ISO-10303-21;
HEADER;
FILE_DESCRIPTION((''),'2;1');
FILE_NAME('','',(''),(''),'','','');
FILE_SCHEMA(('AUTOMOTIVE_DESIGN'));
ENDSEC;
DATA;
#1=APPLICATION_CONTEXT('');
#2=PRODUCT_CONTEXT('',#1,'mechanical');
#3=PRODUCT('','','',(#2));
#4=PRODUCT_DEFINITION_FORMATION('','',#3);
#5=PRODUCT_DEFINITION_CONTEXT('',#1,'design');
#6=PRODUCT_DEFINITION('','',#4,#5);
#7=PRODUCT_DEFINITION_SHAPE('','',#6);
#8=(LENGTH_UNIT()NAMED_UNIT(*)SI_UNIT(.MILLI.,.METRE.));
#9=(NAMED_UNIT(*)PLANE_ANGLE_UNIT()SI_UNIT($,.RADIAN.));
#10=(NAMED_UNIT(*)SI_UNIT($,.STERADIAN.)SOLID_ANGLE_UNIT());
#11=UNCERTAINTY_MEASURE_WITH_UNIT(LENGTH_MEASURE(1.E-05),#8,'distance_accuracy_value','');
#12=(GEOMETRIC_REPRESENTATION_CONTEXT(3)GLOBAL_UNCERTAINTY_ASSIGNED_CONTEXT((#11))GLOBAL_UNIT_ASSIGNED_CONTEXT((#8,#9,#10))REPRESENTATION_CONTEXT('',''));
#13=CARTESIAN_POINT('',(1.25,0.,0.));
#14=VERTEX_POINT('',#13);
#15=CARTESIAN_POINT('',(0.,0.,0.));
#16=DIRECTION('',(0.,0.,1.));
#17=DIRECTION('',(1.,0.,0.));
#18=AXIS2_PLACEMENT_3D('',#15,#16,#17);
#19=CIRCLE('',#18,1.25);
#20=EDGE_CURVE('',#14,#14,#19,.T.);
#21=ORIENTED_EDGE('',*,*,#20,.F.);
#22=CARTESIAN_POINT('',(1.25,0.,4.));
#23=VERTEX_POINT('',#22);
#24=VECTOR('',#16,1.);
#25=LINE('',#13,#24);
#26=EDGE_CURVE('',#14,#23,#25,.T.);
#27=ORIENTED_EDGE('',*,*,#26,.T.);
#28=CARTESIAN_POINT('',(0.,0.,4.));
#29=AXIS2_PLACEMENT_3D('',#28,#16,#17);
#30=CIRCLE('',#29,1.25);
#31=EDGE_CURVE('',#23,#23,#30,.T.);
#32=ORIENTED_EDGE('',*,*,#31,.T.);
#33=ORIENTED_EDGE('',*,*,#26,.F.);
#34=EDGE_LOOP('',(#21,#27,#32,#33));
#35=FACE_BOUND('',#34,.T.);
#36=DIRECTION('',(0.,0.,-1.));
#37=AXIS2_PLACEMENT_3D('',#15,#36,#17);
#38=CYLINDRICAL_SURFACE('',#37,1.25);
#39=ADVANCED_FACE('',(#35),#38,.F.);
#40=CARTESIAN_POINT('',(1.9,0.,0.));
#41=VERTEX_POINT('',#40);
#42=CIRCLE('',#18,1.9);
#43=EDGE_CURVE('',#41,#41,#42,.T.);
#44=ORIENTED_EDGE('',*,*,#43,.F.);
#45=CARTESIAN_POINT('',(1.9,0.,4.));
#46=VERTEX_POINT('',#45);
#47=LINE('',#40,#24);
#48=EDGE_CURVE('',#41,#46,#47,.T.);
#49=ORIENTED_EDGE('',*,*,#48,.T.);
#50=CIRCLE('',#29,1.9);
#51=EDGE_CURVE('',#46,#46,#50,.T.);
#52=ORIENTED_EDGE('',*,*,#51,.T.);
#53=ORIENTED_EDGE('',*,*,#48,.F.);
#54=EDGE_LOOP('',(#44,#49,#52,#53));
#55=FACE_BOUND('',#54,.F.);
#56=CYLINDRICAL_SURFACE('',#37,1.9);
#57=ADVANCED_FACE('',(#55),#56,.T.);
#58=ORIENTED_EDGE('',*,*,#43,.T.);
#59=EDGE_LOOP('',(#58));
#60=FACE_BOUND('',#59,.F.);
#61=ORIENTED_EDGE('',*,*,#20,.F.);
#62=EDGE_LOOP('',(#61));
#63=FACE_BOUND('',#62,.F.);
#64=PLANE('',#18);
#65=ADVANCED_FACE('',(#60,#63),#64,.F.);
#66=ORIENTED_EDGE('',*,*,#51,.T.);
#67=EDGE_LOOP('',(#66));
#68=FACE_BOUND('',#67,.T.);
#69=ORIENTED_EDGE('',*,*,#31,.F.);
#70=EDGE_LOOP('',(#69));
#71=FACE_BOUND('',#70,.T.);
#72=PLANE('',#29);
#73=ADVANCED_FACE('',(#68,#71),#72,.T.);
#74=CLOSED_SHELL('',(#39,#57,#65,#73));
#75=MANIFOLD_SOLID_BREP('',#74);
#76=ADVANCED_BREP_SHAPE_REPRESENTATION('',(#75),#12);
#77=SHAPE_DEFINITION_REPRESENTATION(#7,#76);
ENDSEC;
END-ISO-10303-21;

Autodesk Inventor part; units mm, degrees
ref_plane "YZ Plane" through (0, 0, 0) normal (1, 0, 0) x (0, 1, 0)
ref_plane "XZ Plane" through (0, 0, 0) normal (0, 1, 0) x (-1, 0, 0)
ref_plane "XY Plane" through (0, 0, 0) normal (0, 0, 1) x (1, 0, 0)
sketch "Sketch1" plane through (0, 0, 0) normal (0, 0, 1) x (1, 0, 0)
  circle A0 centre (0, 0) radius 1.25
  circle A1 centre (0, 0) radius 1.9
  dimension "d0" = 2.5
  dimension "d1" = 3.8
extrude "Extrusion1" add sketch "Sketch1" along normal blind 4
properties part number "tulejka M2x4"
